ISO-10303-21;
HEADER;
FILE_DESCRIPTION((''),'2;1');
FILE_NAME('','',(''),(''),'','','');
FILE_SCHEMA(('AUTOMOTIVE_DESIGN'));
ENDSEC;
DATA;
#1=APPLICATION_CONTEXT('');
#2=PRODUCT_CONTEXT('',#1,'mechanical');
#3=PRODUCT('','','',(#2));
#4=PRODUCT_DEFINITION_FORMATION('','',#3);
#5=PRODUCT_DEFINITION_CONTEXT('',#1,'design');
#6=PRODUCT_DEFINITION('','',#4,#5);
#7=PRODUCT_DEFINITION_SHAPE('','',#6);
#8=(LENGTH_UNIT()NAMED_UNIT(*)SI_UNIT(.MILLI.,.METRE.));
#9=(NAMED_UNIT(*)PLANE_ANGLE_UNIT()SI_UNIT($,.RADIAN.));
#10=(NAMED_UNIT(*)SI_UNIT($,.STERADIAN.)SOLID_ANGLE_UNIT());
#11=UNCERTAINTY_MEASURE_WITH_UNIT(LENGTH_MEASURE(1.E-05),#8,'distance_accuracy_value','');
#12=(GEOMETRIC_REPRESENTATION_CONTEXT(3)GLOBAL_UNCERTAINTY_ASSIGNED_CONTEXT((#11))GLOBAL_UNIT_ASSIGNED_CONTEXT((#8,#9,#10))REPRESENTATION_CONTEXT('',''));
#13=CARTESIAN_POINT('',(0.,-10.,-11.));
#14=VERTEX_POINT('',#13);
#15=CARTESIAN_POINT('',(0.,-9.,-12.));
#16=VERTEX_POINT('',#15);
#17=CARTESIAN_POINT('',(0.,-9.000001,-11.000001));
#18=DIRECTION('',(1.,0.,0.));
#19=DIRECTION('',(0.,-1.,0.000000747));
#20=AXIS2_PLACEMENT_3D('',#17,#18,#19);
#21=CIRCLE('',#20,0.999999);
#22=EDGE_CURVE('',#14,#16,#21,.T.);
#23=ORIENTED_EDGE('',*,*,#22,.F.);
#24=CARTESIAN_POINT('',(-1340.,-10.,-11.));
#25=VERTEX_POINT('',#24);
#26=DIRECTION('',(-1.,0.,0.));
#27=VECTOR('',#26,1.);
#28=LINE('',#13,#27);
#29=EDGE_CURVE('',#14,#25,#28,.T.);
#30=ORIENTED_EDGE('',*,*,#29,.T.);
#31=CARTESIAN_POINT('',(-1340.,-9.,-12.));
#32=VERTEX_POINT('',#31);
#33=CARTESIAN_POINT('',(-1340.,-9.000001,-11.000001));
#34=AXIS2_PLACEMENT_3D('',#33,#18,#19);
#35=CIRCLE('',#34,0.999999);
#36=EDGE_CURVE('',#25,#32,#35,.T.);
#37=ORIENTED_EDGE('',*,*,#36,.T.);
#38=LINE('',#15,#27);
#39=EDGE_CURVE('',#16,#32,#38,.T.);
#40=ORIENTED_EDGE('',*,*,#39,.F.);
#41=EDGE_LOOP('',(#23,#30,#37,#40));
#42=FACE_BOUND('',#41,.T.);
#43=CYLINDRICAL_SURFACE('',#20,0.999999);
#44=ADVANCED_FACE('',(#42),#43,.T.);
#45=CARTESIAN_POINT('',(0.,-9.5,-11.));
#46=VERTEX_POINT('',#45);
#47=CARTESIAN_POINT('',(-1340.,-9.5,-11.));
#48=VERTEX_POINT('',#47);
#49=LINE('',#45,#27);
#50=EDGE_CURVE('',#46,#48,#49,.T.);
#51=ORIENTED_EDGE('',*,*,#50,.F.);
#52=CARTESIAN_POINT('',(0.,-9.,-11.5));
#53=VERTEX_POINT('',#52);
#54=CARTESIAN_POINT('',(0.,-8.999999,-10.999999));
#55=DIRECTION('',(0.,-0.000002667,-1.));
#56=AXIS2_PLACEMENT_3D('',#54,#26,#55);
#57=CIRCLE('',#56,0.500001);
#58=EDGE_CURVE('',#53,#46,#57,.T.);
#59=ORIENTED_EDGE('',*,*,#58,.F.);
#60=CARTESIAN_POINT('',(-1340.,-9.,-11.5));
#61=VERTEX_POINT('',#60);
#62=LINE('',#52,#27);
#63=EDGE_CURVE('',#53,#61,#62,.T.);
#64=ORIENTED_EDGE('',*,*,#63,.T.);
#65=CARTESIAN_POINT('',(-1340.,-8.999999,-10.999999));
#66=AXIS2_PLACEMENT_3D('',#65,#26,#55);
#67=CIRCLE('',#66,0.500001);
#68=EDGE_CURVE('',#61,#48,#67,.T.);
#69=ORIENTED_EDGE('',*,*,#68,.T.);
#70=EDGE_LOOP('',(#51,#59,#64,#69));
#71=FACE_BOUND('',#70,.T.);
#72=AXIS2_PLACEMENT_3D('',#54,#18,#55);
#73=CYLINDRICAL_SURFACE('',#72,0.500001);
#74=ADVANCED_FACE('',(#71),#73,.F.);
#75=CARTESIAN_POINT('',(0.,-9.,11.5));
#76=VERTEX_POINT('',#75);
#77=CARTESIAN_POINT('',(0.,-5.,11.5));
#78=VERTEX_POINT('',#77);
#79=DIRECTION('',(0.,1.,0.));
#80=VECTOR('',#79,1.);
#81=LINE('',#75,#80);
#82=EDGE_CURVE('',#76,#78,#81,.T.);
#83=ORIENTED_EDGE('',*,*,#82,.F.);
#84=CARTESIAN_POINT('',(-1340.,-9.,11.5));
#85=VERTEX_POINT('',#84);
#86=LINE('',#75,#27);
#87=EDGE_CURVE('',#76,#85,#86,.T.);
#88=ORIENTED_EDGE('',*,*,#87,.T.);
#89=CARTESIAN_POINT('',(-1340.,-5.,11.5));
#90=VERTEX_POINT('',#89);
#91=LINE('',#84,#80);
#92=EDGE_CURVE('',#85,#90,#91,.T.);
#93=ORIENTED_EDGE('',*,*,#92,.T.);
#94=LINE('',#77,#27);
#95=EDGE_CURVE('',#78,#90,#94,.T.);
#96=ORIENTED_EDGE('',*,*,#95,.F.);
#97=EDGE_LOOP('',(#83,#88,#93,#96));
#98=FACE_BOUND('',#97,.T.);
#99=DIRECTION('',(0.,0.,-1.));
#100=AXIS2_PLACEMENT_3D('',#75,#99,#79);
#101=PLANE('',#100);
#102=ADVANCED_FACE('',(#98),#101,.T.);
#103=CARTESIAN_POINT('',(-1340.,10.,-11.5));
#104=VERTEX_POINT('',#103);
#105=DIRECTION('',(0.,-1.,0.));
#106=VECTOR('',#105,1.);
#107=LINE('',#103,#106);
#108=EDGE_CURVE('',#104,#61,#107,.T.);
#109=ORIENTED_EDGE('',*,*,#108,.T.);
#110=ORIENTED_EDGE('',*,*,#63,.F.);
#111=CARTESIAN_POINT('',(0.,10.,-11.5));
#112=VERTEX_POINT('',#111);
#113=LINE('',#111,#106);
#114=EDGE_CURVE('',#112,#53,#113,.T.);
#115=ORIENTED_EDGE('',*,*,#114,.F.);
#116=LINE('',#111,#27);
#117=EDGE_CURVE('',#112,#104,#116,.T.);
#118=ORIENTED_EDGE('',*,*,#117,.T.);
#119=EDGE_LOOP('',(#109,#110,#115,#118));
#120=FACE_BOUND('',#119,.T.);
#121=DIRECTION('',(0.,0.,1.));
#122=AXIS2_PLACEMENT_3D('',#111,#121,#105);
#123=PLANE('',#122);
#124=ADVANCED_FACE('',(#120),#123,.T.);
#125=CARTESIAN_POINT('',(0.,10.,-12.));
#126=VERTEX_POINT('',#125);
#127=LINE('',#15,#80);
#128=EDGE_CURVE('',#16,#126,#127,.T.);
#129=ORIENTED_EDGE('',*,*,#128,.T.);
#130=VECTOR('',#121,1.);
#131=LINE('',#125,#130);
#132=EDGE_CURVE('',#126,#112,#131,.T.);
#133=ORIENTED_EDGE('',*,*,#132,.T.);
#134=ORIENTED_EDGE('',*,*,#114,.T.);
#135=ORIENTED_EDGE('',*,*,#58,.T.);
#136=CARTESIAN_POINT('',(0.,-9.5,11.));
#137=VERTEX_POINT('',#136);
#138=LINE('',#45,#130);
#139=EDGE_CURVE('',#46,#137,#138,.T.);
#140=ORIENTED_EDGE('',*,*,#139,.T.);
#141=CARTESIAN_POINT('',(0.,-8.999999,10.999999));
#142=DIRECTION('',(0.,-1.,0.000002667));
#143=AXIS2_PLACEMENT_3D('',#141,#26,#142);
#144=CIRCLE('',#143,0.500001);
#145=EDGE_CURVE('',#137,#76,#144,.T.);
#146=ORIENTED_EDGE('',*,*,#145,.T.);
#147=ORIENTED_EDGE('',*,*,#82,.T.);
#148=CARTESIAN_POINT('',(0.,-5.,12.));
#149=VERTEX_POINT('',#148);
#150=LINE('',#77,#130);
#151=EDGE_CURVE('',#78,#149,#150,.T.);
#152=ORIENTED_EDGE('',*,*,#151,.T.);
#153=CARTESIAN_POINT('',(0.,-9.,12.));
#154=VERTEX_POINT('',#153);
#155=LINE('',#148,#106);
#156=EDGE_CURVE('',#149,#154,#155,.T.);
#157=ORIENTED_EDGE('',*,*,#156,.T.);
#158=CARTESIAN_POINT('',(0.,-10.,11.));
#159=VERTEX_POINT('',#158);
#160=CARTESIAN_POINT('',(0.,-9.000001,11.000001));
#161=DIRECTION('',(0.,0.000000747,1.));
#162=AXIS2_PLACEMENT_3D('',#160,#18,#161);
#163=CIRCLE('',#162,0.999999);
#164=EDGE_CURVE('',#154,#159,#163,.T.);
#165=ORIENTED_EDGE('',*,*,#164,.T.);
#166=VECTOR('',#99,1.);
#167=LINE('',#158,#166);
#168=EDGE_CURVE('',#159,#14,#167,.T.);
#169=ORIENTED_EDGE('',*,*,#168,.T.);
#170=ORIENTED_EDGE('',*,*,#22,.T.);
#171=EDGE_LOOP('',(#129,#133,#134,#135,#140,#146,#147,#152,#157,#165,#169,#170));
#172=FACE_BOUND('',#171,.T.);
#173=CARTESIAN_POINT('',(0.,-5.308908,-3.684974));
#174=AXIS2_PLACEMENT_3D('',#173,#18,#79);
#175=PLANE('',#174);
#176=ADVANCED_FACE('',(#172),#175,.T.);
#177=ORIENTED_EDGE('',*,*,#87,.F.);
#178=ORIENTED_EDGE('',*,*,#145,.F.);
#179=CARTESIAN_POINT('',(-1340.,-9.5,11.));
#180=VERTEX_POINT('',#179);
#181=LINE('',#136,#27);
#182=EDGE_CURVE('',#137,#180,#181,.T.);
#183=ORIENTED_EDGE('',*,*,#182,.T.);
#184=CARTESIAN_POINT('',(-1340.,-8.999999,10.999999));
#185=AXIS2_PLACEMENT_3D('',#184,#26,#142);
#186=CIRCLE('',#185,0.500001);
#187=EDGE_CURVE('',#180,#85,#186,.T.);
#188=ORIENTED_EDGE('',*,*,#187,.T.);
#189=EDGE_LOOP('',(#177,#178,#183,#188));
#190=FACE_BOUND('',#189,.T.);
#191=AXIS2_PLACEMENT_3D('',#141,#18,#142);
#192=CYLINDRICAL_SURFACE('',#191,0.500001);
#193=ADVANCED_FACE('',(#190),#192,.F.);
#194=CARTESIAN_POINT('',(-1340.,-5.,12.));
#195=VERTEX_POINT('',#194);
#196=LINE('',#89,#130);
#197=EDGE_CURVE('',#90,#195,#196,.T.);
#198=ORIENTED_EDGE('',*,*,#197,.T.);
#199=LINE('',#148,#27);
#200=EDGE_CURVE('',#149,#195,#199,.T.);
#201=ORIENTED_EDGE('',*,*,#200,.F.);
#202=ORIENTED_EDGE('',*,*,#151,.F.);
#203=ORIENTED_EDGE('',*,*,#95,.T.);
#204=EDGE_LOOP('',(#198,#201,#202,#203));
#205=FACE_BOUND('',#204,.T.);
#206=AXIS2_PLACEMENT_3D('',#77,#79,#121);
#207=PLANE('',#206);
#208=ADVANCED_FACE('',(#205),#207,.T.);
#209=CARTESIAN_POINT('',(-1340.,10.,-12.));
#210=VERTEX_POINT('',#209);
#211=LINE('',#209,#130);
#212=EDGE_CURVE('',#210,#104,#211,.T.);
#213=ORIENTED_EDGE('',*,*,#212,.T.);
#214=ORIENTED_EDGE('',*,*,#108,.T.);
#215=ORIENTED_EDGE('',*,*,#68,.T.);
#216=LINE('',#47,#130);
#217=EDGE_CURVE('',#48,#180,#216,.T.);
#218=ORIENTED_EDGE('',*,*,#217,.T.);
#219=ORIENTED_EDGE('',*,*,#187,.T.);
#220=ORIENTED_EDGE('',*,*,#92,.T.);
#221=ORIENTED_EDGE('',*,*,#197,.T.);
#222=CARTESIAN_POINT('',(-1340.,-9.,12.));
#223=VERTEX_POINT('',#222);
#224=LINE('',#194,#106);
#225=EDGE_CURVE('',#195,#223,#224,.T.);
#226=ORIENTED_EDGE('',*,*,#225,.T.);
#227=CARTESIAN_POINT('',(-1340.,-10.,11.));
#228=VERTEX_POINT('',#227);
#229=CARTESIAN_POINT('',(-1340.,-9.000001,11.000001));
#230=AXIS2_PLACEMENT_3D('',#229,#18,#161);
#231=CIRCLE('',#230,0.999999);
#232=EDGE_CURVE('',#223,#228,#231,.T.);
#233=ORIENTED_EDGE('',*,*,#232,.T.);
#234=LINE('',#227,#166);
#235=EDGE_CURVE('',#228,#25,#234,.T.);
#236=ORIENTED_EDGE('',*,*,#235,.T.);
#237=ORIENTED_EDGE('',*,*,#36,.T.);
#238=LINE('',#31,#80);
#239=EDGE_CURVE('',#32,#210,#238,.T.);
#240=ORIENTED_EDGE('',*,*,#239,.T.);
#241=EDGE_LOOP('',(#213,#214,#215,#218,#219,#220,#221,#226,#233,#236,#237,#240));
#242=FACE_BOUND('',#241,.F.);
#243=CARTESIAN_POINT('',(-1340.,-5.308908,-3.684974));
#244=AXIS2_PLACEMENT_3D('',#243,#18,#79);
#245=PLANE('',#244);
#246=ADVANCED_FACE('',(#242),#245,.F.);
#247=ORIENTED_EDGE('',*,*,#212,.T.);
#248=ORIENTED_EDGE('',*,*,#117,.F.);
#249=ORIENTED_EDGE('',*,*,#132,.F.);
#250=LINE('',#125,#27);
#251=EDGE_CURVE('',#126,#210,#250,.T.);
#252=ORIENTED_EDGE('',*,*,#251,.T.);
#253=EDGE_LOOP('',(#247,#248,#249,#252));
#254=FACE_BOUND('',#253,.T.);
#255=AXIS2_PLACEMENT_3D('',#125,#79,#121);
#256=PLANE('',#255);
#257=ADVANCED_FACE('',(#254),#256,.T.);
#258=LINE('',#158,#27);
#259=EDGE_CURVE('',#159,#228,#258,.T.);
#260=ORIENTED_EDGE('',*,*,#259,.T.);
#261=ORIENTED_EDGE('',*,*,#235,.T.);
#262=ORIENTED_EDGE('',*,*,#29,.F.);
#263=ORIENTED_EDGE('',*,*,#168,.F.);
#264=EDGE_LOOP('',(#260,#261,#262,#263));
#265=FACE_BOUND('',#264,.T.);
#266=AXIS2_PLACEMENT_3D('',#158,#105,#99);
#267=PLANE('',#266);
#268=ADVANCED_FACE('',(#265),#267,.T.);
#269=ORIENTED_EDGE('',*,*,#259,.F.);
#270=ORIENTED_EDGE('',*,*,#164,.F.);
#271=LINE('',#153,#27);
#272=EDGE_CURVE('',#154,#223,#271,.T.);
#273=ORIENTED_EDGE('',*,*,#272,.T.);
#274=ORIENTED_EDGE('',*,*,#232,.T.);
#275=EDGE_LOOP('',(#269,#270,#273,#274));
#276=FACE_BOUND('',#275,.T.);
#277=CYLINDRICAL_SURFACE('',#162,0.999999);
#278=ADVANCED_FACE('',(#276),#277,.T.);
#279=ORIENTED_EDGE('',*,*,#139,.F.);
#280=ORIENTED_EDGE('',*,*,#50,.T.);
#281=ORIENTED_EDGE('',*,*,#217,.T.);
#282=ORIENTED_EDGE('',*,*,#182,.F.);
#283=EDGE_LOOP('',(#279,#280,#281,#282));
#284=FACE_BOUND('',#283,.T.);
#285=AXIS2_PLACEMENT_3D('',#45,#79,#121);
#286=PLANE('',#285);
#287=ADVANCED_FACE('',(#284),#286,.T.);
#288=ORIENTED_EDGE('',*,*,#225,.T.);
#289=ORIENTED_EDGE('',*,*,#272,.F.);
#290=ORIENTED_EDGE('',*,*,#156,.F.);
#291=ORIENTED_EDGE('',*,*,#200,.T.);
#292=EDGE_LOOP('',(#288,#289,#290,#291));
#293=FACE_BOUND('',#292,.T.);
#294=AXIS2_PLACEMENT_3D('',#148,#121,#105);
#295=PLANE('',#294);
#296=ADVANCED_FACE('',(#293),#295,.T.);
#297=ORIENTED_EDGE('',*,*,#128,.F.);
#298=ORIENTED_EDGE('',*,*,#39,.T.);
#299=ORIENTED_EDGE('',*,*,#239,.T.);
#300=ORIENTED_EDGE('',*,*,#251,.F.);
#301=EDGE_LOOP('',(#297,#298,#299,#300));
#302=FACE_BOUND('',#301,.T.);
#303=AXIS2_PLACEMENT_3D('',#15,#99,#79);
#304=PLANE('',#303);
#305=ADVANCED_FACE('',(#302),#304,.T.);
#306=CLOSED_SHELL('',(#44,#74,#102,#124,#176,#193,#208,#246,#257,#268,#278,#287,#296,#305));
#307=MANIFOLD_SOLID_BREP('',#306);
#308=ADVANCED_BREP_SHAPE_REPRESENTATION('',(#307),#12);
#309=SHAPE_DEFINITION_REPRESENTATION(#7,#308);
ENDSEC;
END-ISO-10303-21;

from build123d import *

# Parameters (mm, degrees)
F1_DEPTH = 1340


with BuildPart() as f1:
    # F0 (on Right) → F1 (new body)
    with BuildSketch(Plane.YZ):
        with BuildLine():
            Line((-9, -12), (10, -12))
            Line((10, -12), (10, -11.5))
            Line((10, -11.5), (-9, -11.5))
            ThreePointArc((-9, -11.5), (-9.353553, -11.353553), (-9.5, -11))
            Line((-9.5, -11), (-9.5, 11))
            ThreePointArc((-9.5, 11), (-9.353553, 11.353553), (-9, 11.5))
            Line((-9, 11.5), (-5, 11.5))
            Line((-5, 11.5), (-5, 12))
            Line((-5, 12), (-9, 12))
            ThreePointArc((-9, 12), (-9.707107, 11.707107), (-10, 11))
            Line((-10, 11), (-10, -11))
            ThreePointArc((-10, -11), (-9.707107, -11.707107), (-9, -12))
        make_face()
    extrude(amount=-F1_DEPTH)


solid = f1.part
